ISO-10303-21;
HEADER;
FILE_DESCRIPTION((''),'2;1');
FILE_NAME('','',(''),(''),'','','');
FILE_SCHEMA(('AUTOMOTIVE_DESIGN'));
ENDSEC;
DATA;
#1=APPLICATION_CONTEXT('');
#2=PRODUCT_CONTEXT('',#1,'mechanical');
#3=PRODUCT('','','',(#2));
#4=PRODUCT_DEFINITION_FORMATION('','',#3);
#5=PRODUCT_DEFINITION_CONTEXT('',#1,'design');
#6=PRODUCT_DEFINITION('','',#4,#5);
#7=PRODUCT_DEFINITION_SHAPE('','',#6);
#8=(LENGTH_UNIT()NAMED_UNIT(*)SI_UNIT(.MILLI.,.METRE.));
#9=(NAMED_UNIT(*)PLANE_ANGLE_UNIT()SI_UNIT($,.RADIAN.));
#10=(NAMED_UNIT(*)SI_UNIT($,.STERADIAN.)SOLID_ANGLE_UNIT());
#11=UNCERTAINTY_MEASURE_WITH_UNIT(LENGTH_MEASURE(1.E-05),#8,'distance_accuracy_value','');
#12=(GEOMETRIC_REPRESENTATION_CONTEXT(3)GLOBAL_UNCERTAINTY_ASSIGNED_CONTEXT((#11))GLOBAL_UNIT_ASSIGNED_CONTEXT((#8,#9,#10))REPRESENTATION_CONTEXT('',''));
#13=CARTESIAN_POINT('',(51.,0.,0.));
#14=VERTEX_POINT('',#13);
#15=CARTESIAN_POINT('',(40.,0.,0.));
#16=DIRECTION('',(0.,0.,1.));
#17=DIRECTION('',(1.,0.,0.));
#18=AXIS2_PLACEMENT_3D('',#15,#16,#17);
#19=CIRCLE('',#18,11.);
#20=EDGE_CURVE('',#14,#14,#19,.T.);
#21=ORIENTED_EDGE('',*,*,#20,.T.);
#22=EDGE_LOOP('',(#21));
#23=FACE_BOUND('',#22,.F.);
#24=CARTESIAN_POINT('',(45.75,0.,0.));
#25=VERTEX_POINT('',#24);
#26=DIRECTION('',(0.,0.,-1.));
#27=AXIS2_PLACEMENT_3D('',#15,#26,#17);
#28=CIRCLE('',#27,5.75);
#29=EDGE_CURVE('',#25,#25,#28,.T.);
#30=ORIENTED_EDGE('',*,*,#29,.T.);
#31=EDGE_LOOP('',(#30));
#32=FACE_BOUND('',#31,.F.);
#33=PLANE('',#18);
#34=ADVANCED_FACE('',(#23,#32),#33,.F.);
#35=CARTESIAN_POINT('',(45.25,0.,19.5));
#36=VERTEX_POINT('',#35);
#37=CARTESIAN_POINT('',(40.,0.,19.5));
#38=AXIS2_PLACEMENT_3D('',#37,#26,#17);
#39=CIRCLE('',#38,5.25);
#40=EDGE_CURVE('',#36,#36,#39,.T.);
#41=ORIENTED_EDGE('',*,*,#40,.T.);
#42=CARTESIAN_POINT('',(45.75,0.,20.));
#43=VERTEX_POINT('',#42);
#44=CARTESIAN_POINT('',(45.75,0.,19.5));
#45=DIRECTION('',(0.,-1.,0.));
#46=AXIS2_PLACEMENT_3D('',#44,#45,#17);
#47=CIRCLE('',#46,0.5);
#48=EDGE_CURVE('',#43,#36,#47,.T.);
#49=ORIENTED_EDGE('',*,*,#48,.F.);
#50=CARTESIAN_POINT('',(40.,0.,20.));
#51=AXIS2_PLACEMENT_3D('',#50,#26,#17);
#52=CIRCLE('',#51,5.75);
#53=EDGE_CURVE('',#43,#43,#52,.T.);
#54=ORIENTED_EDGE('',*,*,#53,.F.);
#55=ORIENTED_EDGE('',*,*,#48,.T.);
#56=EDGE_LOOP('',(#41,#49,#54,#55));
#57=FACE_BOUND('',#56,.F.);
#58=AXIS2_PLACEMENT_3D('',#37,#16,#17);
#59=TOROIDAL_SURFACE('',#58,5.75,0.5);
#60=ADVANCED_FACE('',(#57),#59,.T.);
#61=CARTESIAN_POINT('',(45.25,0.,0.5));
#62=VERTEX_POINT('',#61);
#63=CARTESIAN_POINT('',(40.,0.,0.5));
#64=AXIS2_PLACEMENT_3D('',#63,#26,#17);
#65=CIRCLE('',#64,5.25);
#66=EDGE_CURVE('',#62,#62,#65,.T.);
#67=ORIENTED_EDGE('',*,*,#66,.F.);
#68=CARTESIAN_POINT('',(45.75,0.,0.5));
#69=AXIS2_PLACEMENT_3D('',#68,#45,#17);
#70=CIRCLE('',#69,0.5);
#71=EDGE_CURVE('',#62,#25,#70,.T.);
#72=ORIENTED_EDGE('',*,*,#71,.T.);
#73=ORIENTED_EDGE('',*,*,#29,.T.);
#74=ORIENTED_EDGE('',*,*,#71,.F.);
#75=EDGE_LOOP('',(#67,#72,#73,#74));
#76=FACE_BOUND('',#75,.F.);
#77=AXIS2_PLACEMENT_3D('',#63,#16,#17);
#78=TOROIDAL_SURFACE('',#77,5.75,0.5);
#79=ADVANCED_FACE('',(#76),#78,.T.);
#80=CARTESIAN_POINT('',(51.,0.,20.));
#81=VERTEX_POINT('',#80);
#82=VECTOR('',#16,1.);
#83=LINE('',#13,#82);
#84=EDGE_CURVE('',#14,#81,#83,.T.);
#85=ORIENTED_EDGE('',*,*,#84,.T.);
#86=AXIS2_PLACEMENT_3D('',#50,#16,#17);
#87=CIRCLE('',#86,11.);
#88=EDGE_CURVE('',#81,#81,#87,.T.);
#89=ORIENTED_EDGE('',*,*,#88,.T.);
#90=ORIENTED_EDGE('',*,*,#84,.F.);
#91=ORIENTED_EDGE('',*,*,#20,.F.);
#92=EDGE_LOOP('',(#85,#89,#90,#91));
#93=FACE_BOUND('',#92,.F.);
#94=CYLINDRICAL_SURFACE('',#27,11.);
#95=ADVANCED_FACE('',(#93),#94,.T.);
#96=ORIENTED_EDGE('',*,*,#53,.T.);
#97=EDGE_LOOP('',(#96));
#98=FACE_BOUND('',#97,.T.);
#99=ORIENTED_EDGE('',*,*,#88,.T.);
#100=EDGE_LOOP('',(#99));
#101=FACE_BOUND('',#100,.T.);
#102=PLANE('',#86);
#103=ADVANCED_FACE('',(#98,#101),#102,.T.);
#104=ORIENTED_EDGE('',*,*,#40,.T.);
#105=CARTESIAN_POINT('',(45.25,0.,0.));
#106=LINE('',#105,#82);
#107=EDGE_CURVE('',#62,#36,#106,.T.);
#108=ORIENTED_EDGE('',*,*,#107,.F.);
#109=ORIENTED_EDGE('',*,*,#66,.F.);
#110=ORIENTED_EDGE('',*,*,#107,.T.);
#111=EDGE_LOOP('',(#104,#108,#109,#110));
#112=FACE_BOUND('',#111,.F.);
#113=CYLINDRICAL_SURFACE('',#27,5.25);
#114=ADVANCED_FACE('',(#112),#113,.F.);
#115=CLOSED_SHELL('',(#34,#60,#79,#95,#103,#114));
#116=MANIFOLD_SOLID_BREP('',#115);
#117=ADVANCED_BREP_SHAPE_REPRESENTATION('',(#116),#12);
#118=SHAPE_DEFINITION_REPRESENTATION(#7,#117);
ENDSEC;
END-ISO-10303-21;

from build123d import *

# Parameters (mm, degrees)
SKETCH002_R     = 11
PAD001_DEPTH    = 20
SKETCH003_R     = 5.25
POCKET001_DEPTH = 20
FILLET005_R     = 0.5
FILLET006_R     = 0.5


with BuildPart() as part:
    # Sketch002 → Pad001 (new body)
    with BuildSketch(Plane.XY):
        with Locations((40, 0)):
            Circle(SKETCH002_R)
    extrude(amount=PAD001_DEPTH)

    # Sketch003 (on Face2 of Pad001) → Pocket001 (cut)
    with BuildSketch(Plane(origin=(0, 0, 0), x_dir=(1, 0, 0), z_dir=(0, 0, -1))):
        with Locations((40, 0)):
            Circle(SKETCH003_R)
    extrude(amount=-POCKET001_DEPTH, mode=Mode.SUBTRACT)

    # Fillet005
    fillet005_edges = [part.edges().sort_by_distance(p)[0] for p in [
        (34.75, 0, 20),
    ]]
    fillet(fillet005_edges, radius=FILLET005_R)

    # Fillet006
    fillet006_edges = [part.edges().sort_by_distance(p)[0] for p in [
        (34.75, 0, 0),
    ]]
    fillet(fillet006_edges, radius=FILLET006_R)


solid = part.part
